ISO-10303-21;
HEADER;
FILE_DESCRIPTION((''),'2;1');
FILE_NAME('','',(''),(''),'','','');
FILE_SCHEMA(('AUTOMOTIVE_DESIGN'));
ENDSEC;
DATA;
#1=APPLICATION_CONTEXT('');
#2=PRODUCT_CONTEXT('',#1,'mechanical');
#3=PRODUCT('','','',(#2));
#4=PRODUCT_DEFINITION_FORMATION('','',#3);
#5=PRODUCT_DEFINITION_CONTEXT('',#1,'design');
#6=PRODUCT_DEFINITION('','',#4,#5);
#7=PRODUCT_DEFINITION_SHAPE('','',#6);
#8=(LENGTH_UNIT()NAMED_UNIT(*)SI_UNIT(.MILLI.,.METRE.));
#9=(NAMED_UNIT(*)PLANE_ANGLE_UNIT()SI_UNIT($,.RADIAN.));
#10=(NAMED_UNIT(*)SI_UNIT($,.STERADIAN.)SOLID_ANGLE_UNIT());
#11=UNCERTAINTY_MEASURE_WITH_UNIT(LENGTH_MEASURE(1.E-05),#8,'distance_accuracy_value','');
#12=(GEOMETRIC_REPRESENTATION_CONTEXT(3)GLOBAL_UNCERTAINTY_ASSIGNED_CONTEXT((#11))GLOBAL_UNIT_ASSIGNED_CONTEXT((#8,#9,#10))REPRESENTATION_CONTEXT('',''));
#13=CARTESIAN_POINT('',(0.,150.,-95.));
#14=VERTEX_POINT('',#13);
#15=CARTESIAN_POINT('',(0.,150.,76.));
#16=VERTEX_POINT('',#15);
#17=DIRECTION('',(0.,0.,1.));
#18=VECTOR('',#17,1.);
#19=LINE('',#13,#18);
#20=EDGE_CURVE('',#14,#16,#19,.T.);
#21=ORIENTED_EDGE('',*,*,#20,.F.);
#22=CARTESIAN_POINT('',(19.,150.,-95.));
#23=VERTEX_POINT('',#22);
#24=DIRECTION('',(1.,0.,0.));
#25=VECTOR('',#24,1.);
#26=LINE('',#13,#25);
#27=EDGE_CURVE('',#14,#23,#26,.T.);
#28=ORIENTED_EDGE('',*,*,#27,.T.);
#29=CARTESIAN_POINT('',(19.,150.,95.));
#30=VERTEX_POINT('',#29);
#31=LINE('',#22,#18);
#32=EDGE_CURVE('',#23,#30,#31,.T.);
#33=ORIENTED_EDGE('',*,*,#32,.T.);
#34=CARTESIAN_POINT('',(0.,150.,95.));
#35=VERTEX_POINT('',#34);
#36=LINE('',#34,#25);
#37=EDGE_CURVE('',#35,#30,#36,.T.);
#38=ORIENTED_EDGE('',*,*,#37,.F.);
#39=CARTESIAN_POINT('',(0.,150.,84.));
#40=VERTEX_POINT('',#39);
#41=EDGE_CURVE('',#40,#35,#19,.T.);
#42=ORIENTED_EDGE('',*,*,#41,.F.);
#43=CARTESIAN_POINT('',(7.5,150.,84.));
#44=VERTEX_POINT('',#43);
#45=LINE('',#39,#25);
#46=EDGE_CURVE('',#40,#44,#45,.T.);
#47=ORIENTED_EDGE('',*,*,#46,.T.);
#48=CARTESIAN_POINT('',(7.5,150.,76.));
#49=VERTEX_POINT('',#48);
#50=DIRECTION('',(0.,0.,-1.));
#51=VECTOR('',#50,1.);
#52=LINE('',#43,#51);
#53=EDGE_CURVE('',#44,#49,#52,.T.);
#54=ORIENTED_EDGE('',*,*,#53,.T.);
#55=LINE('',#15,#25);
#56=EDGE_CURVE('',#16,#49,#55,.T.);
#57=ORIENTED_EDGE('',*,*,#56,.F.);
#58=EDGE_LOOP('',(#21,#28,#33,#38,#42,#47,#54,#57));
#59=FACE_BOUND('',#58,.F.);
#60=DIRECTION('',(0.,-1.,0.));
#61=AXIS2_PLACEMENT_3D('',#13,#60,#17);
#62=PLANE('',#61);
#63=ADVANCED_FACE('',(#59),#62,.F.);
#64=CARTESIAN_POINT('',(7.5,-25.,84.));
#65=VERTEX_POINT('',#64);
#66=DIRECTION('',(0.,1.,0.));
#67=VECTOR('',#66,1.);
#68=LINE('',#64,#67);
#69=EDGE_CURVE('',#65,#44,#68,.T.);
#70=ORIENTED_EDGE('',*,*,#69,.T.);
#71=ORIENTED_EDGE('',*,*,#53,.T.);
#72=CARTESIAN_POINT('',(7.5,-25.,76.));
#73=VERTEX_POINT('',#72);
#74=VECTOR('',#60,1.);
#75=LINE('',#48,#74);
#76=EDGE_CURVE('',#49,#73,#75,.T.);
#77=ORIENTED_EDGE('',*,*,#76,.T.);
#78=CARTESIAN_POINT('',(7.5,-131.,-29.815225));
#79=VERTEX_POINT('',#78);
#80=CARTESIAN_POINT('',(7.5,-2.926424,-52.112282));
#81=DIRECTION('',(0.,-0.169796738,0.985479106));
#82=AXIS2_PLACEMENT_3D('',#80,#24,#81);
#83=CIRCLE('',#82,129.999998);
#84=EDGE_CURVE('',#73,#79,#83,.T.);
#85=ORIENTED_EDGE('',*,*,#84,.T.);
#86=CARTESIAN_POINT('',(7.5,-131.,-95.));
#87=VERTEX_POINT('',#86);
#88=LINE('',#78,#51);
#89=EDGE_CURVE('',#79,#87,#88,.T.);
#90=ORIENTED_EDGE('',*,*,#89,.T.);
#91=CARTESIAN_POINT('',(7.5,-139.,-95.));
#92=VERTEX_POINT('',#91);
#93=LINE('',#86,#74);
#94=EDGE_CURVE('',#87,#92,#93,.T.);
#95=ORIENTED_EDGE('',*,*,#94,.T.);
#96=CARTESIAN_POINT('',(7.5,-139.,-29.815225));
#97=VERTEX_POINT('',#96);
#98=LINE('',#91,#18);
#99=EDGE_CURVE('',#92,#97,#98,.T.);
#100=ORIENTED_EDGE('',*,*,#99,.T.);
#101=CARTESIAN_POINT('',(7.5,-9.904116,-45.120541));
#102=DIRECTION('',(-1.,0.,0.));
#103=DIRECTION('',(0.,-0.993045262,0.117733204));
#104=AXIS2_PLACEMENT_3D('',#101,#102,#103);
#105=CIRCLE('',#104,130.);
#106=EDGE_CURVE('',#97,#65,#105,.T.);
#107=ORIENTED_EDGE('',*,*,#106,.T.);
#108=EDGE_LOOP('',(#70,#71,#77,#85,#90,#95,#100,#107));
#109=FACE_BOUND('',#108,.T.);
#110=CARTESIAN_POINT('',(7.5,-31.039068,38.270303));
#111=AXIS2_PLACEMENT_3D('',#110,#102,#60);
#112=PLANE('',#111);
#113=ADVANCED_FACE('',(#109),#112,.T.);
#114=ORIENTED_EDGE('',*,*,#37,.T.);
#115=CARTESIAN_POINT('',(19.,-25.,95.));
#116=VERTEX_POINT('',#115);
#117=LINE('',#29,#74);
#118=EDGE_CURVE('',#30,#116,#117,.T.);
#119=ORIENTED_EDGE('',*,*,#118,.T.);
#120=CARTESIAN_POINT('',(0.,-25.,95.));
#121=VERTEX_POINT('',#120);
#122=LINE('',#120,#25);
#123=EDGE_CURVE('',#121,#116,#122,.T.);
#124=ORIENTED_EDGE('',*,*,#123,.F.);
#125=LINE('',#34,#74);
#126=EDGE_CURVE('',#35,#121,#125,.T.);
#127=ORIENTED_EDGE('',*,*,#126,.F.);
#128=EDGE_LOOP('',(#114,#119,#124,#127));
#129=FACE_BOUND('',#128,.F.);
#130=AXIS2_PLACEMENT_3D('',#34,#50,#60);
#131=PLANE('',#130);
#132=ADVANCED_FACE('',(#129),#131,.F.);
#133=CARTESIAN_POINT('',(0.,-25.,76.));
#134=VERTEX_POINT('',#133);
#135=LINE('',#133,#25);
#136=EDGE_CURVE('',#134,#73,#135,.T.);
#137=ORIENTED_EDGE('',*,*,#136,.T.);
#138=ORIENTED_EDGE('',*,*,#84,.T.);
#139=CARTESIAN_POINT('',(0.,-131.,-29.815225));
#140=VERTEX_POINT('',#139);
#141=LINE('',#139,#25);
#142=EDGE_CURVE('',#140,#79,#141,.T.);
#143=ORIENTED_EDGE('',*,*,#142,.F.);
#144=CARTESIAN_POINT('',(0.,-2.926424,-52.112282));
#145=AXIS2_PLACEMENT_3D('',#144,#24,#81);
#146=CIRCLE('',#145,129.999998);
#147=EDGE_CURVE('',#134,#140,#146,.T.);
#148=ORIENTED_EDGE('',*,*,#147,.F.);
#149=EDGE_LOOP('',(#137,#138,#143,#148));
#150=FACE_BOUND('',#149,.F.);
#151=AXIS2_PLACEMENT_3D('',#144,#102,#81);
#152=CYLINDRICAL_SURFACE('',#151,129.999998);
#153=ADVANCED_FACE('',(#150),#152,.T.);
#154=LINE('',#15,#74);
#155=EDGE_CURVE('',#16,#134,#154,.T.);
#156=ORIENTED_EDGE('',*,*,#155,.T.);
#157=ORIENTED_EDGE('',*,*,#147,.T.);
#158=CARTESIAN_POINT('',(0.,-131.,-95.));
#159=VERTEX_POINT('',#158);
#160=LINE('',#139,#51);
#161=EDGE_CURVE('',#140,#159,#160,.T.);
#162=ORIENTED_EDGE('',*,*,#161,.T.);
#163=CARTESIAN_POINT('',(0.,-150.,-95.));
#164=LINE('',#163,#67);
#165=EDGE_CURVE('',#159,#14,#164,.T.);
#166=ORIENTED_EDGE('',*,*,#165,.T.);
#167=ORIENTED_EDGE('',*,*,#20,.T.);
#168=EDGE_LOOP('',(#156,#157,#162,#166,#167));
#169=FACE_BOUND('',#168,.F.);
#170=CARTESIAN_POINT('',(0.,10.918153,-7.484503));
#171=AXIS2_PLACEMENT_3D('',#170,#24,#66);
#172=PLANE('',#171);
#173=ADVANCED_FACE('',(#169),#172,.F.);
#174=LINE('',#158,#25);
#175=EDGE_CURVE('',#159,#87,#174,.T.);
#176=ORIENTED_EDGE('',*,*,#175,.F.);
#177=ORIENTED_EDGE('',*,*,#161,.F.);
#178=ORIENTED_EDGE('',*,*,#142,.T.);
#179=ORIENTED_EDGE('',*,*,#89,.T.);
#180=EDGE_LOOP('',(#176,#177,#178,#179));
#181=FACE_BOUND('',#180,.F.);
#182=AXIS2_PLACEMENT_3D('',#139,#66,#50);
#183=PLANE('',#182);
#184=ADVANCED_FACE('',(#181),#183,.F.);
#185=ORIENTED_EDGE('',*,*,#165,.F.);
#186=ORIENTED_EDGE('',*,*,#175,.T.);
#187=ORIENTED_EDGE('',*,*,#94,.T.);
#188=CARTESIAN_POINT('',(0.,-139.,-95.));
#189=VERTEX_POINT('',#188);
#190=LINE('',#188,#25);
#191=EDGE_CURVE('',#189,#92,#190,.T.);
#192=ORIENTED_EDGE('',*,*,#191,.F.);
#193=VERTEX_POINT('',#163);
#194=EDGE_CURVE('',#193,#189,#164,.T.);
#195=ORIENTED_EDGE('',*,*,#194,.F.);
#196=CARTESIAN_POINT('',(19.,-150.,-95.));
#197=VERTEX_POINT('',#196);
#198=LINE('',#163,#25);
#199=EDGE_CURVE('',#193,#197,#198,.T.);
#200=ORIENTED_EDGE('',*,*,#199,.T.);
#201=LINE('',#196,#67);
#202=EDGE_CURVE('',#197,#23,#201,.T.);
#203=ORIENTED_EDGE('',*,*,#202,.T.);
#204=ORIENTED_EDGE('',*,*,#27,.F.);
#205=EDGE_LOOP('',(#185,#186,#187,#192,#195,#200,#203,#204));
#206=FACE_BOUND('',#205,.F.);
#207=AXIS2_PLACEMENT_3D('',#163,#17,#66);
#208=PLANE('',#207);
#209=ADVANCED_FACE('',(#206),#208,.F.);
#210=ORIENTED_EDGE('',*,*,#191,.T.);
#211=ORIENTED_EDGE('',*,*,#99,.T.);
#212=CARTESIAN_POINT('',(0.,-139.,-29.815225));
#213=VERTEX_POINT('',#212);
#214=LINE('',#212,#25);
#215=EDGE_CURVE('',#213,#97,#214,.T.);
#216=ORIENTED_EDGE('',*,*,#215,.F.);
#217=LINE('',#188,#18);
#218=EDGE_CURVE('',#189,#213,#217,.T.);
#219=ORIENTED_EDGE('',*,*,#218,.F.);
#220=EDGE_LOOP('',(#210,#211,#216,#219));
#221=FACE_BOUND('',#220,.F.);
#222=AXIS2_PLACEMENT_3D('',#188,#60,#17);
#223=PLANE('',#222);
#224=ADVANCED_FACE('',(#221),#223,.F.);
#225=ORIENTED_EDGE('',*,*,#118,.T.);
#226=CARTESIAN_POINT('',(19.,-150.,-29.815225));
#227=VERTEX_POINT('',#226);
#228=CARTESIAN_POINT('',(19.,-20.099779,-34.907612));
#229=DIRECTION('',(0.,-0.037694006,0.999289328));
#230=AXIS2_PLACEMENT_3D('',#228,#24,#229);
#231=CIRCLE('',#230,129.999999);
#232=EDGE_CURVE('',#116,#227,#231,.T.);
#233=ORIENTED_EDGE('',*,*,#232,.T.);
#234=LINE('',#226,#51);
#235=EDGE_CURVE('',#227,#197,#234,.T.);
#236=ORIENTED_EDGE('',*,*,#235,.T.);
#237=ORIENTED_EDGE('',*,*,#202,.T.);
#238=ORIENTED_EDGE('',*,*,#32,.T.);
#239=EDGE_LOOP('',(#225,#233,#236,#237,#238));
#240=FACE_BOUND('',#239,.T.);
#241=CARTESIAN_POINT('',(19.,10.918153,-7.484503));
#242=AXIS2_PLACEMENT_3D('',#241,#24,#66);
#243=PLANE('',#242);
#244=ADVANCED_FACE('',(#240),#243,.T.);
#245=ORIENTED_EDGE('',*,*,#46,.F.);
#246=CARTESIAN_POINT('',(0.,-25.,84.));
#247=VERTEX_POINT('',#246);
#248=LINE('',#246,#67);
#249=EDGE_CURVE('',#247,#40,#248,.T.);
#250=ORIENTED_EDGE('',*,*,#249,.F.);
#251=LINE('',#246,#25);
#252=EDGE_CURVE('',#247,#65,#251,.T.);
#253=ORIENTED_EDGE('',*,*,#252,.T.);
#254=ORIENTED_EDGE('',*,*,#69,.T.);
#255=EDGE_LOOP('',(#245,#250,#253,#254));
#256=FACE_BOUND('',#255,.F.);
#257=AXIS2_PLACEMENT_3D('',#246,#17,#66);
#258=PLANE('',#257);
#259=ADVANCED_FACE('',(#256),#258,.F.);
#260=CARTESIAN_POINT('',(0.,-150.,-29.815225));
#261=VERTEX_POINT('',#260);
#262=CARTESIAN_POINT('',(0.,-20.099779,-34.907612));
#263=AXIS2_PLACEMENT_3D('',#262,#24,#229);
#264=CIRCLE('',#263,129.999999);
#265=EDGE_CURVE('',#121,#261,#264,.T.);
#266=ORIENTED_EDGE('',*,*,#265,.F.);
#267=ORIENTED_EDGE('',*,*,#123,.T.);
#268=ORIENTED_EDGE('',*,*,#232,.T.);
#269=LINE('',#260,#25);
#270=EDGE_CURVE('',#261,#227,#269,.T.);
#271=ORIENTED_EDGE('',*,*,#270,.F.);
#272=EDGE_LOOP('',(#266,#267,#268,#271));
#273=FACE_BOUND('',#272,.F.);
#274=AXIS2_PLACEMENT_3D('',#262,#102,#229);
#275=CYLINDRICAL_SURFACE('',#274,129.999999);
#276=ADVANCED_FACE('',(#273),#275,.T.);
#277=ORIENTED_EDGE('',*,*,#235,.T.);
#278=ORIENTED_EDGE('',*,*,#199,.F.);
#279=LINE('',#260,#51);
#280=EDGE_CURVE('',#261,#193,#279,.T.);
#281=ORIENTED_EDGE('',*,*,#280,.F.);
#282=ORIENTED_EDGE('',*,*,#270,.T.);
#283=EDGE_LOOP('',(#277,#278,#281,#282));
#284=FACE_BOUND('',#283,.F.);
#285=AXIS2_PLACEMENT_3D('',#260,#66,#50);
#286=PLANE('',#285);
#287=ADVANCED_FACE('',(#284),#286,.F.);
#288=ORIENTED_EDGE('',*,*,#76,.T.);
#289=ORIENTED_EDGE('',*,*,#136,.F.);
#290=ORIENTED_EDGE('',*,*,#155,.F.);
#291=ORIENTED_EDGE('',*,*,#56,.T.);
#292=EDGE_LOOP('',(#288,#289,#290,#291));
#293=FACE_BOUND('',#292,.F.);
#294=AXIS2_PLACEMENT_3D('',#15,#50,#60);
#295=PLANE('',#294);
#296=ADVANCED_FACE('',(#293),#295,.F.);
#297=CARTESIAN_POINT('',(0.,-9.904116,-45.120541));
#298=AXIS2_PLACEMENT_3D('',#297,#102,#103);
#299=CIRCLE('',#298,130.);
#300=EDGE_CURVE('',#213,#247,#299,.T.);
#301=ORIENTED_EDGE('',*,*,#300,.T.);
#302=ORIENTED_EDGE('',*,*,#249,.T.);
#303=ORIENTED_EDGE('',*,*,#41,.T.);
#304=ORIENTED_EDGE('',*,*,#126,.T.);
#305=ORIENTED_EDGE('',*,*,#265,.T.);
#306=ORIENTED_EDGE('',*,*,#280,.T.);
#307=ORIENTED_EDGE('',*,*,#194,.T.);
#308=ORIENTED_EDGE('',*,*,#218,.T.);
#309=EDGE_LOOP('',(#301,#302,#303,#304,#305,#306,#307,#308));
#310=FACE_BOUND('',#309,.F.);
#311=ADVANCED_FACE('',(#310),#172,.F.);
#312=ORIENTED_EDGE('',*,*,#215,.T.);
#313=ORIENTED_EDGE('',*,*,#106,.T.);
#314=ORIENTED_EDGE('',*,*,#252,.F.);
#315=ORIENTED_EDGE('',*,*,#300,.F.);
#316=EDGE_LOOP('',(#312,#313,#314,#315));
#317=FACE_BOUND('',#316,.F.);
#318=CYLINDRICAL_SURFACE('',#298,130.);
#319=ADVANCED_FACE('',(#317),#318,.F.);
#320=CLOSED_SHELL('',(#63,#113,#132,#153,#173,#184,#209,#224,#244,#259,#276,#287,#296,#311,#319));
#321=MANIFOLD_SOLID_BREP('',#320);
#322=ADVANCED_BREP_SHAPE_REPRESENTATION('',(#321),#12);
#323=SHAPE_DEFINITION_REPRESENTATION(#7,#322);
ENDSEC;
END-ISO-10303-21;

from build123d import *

# Parameters (mm, degrees)
F1_DEPTH = 19
F3_DEPTH = 7.5


with BuildPart() as f1:
    # F0 (on Right) → F1 (new body)
    with BuildSketch(Plane.YZ):
        with BuildLine():
            Line((150, 95), (-25, 95))
            ThreePointArc((-25, 95), (-111.955644, 57.084235), (-150, -29.815225))
            Line((-150, -29.815225), (-150, -40))
            Line((-150, -40), (-150, -95))
            Line((-150, -95), (150, -95))
            Line((150, -95), (150, 95))
        make_face()
    extrude(amount=F1_DEPTH)

    # F2 (on face) → F3 (cut)
    with BuildSketch(Plane(origin=(0, 0, 0), x_dir=(0, -1, 0), z_dir=(-1, 0, 0))):
        with BuildLine():
            Line((25, 84), (-150, 84))
            Line((-150, 84), (-150, 76))
            Line((-150, 76), (25, 76))
            ThreePointArc((25, 76), (94.770081, 39.891752), (131, -29.815225))
            Line((131, -29.815225), (131, -95))
            Line((131, -95), (139, -95))
            Line((139, -95), (139, -29.815225))
            ThreePointArc((139, -29.815225), (101.75341, 46.877867), (25, 84))
        make_face()
    extrude(amount=-F3_DEPTH, mode=Mode.SUBTRACT)


solid = f1.part
